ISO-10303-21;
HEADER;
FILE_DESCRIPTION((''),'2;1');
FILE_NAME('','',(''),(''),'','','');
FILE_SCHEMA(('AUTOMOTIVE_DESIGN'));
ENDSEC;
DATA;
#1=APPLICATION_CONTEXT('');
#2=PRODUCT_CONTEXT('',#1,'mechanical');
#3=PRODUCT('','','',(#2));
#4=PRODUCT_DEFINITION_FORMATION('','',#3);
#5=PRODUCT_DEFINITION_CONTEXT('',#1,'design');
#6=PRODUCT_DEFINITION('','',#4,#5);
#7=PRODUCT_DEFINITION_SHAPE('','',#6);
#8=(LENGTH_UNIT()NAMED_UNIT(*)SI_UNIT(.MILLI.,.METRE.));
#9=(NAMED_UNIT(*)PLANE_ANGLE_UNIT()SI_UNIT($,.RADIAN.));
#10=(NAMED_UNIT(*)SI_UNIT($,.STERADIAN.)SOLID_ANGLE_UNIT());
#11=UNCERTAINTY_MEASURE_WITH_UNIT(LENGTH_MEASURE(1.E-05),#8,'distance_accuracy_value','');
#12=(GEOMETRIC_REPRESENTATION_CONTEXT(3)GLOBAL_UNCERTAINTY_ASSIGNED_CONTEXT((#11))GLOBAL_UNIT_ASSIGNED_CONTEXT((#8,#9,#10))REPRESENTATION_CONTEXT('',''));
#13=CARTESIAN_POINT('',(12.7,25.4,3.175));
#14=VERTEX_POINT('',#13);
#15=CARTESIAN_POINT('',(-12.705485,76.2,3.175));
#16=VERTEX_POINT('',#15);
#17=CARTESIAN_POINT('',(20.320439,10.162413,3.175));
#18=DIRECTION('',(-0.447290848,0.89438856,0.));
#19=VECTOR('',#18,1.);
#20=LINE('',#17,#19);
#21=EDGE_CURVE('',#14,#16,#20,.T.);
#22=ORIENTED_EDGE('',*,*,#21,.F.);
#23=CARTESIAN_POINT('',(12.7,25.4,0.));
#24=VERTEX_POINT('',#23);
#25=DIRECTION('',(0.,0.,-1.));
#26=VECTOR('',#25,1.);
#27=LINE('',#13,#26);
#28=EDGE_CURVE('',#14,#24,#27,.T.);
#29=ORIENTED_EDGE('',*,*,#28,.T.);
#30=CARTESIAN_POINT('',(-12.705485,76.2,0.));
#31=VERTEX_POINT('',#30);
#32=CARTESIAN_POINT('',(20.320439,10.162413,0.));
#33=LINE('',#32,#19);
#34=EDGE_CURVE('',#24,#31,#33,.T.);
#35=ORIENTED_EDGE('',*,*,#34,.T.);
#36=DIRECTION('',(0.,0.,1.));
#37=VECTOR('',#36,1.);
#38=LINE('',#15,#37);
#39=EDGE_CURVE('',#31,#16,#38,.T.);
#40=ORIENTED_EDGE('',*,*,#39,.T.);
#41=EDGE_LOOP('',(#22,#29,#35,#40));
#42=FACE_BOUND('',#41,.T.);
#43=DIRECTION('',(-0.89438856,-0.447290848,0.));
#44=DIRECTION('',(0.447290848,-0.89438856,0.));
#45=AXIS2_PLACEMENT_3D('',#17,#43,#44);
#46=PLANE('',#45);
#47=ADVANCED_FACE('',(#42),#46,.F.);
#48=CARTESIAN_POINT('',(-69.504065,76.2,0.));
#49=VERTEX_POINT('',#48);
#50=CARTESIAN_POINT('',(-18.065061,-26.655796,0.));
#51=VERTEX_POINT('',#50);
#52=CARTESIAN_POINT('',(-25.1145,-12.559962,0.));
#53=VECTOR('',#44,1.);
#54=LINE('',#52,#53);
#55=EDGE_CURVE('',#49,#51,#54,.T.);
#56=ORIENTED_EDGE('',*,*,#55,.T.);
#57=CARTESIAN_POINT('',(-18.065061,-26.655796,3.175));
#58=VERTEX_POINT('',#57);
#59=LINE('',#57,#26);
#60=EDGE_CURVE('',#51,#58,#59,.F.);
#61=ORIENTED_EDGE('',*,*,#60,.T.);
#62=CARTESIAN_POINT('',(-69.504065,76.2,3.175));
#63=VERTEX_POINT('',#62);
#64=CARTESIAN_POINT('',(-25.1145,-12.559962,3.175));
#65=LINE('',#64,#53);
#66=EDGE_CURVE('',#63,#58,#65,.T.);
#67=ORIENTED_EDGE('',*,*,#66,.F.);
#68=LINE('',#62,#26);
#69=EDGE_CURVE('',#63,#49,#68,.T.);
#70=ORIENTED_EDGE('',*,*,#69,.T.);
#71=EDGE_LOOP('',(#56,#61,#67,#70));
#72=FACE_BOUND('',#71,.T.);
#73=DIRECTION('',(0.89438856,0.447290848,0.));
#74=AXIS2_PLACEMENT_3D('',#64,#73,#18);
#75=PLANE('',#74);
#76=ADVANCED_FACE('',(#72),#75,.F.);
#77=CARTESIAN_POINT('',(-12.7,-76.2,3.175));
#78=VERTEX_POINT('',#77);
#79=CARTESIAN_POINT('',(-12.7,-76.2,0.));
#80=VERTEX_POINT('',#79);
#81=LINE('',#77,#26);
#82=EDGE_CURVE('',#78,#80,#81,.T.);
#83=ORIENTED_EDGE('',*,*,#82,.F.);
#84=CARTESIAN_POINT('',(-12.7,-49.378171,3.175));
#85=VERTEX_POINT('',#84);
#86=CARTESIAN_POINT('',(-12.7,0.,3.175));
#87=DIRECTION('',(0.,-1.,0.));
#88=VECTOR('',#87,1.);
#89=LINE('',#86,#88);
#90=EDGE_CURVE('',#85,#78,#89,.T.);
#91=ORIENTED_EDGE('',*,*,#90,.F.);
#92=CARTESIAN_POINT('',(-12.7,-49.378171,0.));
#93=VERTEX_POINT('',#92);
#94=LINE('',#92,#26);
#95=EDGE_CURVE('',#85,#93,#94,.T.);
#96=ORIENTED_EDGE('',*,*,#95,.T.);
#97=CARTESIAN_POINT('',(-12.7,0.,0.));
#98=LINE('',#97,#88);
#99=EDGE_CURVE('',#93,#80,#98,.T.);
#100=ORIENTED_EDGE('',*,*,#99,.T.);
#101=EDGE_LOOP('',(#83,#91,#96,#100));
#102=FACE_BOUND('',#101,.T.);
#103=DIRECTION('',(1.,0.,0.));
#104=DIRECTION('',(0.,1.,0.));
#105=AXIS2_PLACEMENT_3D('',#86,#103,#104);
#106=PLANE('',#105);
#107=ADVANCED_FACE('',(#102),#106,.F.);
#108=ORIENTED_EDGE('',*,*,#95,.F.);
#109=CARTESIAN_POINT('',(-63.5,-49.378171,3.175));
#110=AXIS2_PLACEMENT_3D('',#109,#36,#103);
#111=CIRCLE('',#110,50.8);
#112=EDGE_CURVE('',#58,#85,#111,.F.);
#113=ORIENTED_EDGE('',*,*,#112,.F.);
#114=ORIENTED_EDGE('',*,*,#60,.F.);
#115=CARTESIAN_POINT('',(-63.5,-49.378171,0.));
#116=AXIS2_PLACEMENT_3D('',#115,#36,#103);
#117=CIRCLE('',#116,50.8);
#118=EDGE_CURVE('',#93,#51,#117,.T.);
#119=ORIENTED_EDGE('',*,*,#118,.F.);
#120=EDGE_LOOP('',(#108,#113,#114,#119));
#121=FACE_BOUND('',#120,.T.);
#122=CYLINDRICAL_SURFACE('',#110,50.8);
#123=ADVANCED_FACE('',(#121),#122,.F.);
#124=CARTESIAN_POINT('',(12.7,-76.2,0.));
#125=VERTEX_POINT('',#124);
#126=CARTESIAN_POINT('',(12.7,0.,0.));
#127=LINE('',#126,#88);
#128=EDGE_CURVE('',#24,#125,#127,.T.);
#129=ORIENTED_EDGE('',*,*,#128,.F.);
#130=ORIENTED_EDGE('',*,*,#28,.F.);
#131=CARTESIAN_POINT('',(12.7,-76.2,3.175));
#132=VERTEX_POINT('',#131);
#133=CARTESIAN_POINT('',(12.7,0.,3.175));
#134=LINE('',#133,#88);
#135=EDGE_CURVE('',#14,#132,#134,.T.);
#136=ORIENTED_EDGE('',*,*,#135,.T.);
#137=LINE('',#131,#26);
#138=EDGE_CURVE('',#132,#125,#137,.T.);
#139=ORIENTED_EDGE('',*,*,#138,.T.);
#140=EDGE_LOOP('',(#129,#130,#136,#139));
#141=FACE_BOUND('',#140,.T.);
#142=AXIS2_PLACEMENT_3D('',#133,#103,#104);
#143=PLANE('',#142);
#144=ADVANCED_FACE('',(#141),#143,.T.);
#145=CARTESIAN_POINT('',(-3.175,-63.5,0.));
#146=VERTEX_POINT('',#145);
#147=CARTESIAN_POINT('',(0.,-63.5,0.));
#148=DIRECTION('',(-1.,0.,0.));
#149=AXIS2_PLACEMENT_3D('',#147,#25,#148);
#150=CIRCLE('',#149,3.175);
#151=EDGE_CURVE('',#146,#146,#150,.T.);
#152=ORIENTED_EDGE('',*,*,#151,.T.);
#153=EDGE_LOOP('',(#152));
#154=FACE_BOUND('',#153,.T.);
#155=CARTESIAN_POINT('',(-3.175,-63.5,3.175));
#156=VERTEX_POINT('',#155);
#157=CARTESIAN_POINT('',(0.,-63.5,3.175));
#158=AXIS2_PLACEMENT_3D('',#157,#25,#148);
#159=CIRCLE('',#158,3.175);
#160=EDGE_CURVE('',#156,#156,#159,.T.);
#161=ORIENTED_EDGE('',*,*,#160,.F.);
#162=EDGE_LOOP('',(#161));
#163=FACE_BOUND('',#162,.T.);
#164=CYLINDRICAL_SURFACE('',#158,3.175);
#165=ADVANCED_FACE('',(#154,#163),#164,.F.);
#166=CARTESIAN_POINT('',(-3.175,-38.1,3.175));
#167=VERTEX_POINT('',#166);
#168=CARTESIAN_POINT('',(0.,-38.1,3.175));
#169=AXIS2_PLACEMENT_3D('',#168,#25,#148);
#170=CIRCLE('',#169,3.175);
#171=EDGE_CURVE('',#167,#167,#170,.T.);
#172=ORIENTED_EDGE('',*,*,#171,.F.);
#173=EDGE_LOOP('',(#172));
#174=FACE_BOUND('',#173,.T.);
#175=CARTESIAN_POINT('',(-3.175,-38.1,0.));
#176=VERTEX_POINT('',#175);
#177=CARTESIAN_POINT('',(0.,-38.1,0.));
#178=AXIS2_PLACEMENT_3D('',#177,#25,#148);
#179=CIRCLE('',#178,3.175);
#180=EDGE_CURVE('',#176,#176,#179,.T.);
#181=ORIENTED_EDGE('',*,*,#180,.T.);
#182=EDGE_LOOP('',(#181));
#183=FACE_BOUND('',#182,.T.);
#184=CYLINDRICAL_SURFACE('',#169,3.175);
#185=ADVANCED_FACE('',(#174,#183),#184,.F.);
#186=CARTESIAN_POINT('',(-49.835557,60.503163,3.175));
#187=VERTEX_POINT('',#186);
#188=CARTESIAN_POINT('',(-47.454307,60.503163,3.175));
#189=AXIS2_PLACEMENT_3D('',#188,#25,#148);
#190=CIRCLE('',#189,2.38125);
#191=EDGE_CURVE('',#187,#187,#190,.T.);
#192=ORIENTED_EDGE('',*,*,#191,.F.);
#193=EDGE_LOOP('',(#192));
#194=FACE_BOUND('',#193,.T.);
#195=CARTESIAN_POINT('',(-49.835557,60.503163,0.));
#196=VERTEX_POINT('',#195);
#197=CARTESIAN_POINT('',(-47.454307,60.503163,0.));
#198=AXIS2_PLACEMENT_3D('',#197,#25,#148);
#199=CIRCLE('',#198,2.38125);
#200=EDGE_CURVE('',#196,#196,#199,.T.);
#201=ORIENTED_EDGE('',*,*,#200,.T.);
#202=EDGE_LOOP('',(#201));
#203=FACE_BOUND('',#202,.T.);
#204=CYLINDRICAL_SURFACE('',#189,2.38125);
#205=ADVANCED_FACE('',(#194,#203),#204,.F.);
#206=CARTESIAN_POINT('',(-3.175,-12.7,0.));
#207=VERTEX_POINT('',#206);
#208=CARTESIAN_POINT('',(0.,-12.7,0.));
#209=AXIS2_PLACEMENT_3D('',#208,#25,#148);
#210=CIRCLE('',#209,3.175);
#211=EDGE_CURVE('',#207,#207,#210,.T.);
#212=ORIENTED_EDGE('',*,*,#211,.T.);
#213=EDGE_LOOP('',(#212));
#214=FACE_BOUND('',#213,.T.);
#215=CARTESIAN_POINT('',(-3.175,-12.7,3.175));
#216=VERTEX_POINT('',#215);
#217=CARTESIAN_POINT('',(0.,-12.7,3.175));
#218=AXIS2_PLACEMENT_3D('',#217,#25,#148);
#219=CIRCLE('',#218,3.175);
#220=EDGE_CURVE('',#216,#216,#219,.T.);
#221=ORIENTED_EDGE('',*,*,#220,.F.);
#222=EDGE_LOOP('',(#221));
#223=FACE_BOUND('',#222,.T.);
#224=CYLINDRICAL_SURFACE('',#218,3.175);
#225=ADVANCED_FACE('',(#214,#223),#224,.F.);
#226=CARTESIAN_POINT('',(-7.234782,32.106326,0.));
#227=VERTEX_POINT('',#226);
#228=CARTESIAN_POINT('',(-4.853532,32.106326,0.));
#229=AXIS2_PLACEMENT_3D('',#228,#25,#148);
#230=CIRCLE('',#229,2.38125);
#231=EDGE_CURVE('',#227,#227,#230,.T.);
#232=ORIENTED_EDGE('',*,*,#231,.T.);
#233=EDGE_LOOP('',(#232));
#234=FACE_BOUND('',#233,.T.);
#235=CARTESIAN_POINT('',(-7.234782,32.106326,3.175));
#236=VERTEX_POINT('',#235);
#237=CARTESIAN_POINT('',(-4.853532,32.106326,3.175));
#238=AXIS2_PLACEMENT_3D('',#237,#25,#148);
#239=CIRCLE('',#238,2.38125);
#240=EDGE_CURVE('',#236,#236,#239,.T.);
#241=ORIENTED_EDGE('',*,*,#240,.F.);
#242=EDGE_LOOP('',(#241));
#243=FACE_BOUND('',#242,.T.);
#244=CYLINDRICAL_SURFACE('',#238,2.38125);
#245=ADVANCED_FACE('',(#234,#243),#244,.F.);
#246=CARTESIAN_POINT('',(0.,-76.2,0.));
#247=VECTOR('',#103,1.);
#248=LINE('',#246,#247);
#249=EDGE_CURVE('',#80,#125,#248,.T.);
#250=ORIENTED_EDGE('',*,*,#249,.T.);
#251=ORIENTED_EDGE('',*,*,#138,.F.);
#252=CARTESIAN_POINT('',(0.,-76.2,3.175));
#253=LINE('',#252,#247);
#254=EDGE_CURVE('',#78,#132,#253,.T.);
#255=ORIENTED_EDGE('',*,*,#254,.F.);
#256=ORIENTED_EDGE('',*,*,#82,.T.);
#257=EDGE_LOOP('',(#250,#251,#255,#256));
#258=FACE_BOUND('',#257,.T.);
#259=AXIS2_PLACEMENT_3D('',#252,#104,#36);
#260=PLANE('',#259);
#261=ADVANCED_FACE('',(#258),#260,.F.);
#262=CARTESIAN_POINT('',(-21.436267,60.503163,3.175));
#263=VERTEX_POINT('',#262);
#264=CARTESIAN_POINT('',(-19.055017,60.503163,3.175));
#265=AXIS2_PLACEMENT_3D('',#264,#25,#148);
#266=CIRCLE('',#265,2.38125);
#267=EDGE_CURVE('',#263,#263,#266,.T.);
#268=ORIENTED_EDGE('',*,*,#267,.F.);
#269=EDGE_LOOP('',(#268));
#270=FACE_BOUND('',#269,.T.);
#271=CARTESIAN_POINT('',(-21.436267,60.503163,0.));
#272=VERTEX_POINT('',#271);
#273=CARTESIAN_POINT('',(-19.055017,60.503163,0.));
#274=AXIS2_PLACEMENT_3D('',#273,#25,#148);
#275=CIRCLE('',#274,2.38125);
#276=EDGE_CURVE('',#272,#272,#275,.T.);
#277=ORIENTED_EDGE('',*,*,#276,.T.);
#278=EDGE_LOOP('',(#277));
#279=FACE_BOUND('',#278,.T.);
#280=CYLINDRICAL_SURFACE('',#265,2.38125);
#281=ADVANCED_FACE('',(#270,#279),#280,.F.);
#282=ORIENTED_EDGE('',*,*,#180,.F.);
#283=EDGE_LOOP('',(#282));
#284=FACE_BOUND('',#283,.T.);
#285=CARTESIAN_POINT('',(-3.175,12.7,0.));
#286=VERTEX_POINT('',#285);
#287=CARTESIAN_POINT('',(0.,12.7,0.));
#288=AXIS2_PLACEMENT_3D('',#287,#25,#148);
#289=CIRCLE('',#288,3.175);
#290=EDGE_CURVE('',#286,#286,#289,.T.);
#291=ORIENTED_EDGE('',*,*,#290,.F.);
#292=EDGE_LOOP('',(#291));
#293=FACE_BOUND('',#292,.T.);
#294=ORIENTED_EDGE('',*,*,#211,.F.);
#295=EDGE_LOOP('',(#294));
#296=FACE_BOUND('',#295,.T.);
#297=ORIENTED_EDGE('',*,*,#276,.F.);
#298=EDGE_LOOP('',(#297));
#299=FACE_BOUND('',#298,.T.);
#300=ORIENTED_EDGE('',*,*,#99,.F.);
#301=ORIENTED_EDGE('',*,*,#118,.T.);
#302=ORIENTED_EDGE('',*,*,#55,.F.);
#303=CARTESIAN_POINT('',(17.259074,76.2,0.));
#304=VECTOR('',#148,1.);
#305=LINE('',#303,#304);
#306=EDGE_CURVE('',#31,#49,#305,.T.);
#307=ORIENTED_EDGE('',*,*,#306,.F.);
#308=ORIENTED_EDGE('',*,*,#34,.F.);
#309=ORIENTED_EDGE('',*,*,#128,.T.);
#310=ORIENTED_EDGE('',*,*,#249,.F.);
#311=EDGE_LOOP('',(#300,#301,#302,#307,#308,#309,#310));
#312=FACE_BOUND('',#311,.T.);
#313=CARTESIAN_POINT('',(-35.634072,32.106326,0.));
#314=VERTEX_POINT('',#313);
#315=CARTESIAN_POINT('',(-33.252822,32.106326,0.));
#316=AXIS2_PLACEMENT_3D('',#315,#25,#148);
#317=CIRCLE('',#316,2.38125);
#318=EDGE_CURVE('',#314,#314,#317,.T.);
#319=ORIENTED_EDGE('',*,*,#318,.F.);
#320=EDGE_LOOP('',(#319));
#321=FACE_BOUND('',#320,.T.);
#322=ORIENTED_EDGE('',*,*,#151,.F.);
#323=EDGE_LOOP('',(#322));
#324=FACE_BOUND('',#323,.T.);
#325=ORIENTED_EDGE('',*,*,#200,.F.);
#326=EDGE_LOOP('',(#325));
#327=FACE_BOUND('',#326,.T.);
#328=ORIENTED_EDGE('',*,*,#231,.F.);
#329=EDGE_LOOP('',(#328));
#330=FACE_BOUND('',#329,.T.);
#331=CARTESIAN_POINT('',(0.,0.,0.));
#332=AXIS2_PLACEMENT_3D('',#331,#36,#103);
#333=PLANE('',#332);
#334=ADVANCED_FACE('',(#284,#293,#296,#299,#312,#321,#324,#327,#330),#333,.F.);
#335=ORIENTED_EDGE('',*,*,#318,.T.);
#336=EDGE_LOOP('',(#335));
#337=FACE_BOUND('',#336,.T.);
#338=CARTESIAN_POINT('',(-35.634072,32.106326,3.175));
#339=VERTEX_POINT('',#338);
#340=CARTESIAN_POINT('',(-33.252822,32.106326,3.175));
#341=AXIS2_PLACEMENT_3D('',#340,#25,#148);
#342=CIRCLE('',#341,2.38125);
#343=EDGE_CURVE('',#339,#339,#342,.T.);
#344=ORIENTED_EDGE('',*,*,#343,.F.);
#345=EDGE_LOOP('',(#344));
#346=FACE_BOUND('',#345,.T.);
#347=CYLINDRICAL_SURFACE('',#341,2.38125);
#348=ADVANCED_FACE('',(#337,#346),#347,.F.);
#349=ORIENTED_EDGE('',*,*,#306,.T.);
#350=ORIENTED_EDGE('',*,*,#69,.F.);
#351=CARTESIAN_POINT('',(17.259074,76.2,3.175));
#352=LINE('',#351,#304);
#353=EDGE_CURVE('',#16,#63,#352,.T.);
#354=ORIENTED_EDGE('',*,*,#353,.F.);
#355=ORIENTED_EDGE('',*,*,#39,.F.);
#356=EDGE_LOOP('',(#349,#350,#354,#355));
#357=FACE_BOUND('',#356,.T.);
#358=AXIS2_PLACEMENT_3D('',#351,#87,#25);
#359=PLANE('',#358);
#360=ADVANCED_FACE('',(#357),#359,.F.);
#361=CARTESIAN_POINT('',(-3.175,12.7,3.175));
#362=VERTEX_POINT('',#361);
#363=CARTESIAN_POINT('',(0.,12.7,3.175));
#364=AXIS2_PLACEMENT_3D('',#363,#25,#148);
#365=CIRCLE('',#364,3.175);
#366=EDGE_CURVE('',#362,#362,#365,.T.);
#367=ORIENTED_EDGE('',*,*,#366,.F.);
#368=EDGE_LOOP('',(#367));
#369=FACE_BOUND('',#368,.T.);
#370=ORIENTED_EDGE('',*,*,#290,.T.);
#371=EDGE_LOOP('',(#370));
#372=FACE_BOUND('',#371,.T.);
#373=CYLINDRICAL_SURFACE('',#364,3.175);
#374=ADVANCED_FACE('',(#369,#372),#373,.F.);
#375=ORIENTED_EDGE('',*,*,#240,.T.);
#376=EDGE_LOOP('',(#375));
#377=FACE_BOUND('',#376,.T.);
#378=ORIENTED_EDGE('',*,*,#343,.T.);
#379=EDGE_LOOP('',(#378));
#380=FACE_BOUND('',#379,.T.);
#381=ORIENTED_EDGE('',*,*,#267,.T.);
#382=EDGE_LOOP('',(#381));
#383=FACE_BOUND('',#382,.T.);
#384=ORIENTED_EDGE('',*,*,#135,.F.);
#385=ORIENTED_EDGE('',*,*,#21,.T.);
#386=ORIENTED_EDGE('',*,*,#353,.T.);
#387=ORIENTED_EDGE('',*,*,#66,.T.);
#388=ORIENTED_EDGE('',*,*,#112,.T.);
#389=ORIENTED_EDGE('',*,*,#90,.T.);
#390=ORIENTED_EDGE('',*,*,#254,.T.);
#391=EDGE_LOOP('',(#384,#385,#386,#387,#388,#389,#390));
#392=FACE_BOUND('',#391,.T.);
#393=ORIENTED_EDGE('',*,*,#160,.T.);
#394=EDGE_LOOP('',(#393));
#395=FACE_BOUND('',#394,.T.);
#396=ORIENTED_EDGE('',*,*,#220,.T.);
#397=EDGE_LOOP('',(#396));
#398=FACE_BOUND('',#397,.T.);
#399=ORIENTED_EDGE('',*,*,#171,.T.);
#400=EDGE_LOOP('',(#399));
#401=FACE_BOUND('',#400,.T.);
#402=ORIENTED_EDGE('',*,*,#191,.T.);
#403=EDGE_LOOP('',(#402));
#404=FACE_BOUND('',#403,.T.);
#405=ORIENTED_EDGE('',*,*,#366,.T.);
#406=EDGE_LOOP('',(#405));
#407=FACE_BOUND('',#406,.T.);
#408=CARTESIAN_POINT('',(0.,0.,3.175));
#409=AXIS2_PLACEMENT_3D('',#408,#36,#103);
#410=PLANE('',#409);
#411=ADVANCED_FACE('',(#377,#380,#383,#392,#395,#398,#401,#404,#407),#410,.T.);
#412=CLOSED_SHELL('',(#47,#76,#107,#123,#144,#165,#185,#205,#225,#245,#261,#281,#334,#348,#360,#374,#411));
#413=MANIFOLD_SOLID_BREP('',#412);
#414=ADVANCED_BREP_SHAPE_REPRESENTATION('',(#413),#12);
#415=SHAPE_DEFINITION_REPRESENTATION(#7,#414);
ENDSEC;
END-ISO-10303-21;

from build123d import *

# Parameters (mm, degrees)
BOSS_EXTRUDE1_DEPTH = 3.175
FILLET1_R           = 50.8
SKETCH2_R           = 3.175
CUT_EXTRUDE1_DEPTH  = 131.731020699
SKETCH3_R           = 2.38125
CUT_EXTRUDE2_DEPTH  = 131.731020699
SKETCH4_W           = 148.329762774
SKETCH4_H           = 42.508472293
CUT_EXTRUDE3_DEPTH  = 131.731020699


with BuildPart() as part:
    # Sketch1 → Boss-Extrude1 (new body)
    with BuildSketch(Plane.XY):
        Polygon((12.7, -76.2), (12.7, 25.4), (-25.408227408, 101.6), (-82.206807187, 101.6), (-12.7, -37.383601913), (-12.7, -76.2), align=None)
    extrude(amount=BOSS_EXTRUDE1_DEPTH)

    # Fillet1
    fillet1_edges = [part.edges().sort_by_distance(p)[0] for p in [
        (-12.7, -37.383601913, 1.5875),
    ]]
    fillet(fillet1_edges, radius=FILLET1_R)

    # Sketch2 → Cut-Extrude1 (cut, through all)
    with BuildSketch(Plane(origin=(0, 0, 0), x_dir=(-1, 0, 0), z_dir=(0, 0, -1))):
        with Locations((0, -63.5)):
            Circle(SKETCH2_R)
        with Locations((0, -38.1)):
            Circle(SKETCH2_R)
        with Locations((0, -12.7)):
            Circle(SKETCH2_R)
        with Locations((0, 12.7)):
            Circle(SKETCH2_R)
    extrude(amount=-CUT_EXTRUDE1_DEPTH, mode=Mode.SUBTRACT)

    # Sketch3 → Cut-Extrude2 (cut, through all)
    with BuildSketch(Plane(origin=(0, 0, 0), x_dir=(-1, 0, 0), z_dir=(0, 0, -1))):
        with Locations((33.256501118, 88.9)):
            Circle(SKETCH3_R)
        with Locations((61.655791008, 88.9)):
            Circle(SKETCH3_R)
        with Locations((19.055016681, 60.503163208)):
            Circle(SKETCH3_R)
        with Locations((47.45430657, 60.503163208)):
            Circle(SKETCH3_R)
        with Locations((4.853532243, 32.106326416)):
            Circle(SKETCH3_R)
        with Locations((33.252822133, 32.106326416)):
            Circle(SKETCH3_R)
    extrude(amount=-CUT_EXTRUDE2_DEPTH, mode=Mode.SUBTRACT)

    # Sketch4 → Cut-Extrude3 (cut, through all)
    with BuildSketch(Plane(origin=(0, 0, 0), x_dir=(-1, 0, 0), z_dir=(0, 0, -1))):
        with Locations((56.905806916, 97.454236147)):
            Rectangle(SKETCH4_W, SKETCH4_H)
    extrude(amount=-CUT_EXTRUDE3_DEPTH, mode=Mode.SUBTRACT)


solid = part.part
